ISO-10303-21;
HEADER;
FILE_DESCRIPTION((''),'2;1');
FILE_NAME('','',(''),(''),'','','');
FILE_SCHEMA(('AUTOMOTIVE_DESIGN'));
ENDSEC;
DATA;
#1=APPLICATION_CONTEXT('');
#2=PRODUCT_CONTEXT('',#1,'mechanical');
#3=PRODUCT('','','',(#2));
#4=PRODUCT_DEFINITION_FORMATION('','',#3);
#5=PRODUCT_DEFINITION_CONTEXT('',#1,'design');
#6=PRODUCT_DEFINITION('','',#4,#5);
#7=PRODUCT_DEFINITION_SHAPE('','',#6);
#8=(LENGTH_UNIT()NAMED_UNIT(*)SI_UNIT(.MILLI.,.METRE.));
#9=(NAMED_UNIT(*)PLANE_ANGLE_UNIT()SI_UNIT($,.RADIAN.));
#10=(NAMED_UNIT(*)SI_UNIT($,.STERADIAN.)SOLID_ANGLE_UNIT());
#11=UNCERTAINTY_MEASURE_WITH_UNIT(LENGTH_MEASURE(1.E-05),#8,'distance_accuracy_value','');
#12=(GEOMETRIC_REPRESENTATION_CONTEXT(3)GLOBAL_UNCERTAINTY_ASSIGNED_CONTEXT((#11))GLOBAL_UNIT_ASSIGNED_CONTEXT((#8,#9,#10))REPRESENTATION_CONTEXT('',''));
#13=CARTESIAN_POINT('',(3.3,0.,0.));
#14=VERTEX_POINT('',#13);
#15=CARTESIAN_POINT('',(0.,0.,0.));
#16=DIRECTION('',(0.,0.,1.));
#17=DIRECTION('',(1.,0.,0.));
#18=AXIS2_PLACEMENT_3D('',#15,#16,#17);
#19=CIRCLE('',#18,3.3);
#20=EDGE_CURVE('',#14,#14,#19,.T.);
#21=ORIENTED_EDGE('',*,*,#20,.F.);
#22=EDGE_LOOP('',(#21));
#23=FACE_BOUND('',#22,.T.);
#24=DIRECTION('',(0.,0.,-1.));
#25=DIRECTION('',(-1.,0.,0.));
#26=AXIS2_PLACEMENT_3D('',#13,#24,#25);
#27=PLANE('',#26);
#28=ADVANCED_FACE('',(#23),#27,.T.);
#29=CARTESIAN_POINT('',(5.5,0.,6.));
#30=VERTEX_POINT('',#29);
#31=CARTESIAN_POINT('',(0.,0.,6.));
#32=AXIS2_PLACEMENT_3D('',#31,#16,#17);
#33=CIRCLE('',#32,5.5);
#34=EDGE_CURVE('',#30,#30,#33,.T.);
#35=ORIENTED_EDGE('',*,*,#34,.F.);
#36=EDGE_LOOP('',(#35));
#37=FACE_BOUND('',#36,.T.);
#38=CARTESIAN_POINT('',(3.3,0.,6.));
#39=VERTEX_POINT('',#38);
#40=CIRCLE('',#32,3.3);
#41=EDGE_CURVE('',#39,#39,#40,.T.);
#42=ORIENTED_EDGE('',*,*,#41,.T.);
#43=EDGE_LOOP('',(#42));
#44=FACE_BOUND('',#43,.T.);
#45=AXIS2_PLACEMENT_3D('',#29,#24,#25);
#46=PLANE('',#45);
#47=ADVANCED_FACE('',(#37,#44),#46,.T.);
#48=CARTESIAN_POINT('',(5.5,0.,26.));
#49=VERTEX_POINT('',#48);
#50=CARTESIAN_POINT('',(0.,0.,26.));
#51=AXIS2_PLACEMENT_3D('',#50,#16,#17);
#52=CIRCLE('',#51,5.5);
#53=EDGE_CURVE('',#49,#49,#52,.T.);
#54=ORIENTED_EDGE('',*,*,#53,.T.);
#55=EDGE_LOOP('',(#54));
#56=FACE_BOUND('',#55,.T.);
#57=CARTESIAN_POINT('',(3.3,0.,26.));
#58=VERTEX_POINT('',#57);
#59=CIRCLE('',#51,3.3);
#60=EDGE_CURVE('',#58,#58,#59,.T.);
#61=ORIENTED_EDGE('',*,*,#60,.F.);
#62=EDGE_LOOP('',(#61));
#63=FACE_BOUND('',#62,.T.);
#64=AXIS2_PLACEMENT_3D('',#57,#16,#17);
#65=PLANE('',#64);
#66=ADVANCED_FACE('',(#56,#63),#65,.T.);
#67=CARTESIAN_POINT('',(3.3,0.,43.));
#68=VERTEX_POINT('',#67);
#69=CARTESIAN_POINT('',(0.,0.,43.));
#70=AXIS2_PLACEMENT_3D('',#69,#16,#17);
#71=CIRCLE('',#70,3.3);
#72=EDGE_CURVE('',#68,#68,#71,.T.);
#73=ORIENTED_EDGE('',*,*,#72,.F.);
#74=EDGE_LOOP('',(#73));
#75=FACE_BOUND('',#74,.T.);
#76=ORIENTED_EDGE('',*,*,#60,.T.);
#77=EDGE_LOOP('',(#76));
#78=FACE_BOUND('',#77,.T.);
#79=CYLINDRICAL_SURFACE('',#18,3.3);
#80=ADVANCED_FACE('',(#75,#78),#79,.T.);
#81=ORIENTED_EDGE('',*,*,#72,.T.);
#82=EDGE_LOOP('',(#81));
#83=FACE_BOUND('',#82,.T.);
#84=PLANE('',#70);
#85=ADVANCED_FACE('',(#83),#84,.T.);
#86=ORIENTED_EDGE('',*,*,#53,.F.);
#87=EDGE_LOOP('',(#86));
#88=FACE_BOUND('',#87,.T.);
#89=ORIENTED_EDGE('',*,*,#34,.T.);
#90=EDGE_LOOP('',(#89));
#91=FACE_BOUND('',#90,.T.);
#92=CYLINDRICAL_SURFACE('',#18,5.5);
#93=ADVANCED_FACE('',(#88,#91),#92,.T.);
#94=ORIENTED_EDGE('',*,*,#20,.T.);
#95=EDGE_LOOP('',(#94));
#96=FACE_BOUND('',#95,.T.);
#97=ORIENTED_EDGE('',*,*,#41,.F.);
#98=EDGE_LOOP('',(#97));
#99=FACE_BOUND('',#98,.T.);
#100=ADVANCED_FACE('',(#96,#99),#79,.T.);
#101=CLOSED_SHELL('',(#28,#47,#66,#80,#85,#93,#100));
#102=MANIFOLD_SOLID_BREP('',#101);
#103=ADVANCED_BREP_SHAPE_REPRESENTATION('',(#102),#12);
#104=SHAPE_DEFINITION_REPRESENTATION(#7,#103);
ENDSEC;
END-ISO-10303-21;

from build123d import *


with BuildPart() as part:
    # 草图1 → 旋转1 (revolve)
    with BuildSketch(Plane(origin=(0, 0, 0), x_dir=(1, 0, 0), z_dir=(0, 1, 0))):
        Polygon((3.3, 0), (0, 0), (0, -43), (3.3, -43), (3.3, -26), (5.5, -26), (5.5, -6), (3.3, -6), align=None)
    revolve(axis=Axis((0, 0, 0), (0, 0, 1)))


solid = part.part
